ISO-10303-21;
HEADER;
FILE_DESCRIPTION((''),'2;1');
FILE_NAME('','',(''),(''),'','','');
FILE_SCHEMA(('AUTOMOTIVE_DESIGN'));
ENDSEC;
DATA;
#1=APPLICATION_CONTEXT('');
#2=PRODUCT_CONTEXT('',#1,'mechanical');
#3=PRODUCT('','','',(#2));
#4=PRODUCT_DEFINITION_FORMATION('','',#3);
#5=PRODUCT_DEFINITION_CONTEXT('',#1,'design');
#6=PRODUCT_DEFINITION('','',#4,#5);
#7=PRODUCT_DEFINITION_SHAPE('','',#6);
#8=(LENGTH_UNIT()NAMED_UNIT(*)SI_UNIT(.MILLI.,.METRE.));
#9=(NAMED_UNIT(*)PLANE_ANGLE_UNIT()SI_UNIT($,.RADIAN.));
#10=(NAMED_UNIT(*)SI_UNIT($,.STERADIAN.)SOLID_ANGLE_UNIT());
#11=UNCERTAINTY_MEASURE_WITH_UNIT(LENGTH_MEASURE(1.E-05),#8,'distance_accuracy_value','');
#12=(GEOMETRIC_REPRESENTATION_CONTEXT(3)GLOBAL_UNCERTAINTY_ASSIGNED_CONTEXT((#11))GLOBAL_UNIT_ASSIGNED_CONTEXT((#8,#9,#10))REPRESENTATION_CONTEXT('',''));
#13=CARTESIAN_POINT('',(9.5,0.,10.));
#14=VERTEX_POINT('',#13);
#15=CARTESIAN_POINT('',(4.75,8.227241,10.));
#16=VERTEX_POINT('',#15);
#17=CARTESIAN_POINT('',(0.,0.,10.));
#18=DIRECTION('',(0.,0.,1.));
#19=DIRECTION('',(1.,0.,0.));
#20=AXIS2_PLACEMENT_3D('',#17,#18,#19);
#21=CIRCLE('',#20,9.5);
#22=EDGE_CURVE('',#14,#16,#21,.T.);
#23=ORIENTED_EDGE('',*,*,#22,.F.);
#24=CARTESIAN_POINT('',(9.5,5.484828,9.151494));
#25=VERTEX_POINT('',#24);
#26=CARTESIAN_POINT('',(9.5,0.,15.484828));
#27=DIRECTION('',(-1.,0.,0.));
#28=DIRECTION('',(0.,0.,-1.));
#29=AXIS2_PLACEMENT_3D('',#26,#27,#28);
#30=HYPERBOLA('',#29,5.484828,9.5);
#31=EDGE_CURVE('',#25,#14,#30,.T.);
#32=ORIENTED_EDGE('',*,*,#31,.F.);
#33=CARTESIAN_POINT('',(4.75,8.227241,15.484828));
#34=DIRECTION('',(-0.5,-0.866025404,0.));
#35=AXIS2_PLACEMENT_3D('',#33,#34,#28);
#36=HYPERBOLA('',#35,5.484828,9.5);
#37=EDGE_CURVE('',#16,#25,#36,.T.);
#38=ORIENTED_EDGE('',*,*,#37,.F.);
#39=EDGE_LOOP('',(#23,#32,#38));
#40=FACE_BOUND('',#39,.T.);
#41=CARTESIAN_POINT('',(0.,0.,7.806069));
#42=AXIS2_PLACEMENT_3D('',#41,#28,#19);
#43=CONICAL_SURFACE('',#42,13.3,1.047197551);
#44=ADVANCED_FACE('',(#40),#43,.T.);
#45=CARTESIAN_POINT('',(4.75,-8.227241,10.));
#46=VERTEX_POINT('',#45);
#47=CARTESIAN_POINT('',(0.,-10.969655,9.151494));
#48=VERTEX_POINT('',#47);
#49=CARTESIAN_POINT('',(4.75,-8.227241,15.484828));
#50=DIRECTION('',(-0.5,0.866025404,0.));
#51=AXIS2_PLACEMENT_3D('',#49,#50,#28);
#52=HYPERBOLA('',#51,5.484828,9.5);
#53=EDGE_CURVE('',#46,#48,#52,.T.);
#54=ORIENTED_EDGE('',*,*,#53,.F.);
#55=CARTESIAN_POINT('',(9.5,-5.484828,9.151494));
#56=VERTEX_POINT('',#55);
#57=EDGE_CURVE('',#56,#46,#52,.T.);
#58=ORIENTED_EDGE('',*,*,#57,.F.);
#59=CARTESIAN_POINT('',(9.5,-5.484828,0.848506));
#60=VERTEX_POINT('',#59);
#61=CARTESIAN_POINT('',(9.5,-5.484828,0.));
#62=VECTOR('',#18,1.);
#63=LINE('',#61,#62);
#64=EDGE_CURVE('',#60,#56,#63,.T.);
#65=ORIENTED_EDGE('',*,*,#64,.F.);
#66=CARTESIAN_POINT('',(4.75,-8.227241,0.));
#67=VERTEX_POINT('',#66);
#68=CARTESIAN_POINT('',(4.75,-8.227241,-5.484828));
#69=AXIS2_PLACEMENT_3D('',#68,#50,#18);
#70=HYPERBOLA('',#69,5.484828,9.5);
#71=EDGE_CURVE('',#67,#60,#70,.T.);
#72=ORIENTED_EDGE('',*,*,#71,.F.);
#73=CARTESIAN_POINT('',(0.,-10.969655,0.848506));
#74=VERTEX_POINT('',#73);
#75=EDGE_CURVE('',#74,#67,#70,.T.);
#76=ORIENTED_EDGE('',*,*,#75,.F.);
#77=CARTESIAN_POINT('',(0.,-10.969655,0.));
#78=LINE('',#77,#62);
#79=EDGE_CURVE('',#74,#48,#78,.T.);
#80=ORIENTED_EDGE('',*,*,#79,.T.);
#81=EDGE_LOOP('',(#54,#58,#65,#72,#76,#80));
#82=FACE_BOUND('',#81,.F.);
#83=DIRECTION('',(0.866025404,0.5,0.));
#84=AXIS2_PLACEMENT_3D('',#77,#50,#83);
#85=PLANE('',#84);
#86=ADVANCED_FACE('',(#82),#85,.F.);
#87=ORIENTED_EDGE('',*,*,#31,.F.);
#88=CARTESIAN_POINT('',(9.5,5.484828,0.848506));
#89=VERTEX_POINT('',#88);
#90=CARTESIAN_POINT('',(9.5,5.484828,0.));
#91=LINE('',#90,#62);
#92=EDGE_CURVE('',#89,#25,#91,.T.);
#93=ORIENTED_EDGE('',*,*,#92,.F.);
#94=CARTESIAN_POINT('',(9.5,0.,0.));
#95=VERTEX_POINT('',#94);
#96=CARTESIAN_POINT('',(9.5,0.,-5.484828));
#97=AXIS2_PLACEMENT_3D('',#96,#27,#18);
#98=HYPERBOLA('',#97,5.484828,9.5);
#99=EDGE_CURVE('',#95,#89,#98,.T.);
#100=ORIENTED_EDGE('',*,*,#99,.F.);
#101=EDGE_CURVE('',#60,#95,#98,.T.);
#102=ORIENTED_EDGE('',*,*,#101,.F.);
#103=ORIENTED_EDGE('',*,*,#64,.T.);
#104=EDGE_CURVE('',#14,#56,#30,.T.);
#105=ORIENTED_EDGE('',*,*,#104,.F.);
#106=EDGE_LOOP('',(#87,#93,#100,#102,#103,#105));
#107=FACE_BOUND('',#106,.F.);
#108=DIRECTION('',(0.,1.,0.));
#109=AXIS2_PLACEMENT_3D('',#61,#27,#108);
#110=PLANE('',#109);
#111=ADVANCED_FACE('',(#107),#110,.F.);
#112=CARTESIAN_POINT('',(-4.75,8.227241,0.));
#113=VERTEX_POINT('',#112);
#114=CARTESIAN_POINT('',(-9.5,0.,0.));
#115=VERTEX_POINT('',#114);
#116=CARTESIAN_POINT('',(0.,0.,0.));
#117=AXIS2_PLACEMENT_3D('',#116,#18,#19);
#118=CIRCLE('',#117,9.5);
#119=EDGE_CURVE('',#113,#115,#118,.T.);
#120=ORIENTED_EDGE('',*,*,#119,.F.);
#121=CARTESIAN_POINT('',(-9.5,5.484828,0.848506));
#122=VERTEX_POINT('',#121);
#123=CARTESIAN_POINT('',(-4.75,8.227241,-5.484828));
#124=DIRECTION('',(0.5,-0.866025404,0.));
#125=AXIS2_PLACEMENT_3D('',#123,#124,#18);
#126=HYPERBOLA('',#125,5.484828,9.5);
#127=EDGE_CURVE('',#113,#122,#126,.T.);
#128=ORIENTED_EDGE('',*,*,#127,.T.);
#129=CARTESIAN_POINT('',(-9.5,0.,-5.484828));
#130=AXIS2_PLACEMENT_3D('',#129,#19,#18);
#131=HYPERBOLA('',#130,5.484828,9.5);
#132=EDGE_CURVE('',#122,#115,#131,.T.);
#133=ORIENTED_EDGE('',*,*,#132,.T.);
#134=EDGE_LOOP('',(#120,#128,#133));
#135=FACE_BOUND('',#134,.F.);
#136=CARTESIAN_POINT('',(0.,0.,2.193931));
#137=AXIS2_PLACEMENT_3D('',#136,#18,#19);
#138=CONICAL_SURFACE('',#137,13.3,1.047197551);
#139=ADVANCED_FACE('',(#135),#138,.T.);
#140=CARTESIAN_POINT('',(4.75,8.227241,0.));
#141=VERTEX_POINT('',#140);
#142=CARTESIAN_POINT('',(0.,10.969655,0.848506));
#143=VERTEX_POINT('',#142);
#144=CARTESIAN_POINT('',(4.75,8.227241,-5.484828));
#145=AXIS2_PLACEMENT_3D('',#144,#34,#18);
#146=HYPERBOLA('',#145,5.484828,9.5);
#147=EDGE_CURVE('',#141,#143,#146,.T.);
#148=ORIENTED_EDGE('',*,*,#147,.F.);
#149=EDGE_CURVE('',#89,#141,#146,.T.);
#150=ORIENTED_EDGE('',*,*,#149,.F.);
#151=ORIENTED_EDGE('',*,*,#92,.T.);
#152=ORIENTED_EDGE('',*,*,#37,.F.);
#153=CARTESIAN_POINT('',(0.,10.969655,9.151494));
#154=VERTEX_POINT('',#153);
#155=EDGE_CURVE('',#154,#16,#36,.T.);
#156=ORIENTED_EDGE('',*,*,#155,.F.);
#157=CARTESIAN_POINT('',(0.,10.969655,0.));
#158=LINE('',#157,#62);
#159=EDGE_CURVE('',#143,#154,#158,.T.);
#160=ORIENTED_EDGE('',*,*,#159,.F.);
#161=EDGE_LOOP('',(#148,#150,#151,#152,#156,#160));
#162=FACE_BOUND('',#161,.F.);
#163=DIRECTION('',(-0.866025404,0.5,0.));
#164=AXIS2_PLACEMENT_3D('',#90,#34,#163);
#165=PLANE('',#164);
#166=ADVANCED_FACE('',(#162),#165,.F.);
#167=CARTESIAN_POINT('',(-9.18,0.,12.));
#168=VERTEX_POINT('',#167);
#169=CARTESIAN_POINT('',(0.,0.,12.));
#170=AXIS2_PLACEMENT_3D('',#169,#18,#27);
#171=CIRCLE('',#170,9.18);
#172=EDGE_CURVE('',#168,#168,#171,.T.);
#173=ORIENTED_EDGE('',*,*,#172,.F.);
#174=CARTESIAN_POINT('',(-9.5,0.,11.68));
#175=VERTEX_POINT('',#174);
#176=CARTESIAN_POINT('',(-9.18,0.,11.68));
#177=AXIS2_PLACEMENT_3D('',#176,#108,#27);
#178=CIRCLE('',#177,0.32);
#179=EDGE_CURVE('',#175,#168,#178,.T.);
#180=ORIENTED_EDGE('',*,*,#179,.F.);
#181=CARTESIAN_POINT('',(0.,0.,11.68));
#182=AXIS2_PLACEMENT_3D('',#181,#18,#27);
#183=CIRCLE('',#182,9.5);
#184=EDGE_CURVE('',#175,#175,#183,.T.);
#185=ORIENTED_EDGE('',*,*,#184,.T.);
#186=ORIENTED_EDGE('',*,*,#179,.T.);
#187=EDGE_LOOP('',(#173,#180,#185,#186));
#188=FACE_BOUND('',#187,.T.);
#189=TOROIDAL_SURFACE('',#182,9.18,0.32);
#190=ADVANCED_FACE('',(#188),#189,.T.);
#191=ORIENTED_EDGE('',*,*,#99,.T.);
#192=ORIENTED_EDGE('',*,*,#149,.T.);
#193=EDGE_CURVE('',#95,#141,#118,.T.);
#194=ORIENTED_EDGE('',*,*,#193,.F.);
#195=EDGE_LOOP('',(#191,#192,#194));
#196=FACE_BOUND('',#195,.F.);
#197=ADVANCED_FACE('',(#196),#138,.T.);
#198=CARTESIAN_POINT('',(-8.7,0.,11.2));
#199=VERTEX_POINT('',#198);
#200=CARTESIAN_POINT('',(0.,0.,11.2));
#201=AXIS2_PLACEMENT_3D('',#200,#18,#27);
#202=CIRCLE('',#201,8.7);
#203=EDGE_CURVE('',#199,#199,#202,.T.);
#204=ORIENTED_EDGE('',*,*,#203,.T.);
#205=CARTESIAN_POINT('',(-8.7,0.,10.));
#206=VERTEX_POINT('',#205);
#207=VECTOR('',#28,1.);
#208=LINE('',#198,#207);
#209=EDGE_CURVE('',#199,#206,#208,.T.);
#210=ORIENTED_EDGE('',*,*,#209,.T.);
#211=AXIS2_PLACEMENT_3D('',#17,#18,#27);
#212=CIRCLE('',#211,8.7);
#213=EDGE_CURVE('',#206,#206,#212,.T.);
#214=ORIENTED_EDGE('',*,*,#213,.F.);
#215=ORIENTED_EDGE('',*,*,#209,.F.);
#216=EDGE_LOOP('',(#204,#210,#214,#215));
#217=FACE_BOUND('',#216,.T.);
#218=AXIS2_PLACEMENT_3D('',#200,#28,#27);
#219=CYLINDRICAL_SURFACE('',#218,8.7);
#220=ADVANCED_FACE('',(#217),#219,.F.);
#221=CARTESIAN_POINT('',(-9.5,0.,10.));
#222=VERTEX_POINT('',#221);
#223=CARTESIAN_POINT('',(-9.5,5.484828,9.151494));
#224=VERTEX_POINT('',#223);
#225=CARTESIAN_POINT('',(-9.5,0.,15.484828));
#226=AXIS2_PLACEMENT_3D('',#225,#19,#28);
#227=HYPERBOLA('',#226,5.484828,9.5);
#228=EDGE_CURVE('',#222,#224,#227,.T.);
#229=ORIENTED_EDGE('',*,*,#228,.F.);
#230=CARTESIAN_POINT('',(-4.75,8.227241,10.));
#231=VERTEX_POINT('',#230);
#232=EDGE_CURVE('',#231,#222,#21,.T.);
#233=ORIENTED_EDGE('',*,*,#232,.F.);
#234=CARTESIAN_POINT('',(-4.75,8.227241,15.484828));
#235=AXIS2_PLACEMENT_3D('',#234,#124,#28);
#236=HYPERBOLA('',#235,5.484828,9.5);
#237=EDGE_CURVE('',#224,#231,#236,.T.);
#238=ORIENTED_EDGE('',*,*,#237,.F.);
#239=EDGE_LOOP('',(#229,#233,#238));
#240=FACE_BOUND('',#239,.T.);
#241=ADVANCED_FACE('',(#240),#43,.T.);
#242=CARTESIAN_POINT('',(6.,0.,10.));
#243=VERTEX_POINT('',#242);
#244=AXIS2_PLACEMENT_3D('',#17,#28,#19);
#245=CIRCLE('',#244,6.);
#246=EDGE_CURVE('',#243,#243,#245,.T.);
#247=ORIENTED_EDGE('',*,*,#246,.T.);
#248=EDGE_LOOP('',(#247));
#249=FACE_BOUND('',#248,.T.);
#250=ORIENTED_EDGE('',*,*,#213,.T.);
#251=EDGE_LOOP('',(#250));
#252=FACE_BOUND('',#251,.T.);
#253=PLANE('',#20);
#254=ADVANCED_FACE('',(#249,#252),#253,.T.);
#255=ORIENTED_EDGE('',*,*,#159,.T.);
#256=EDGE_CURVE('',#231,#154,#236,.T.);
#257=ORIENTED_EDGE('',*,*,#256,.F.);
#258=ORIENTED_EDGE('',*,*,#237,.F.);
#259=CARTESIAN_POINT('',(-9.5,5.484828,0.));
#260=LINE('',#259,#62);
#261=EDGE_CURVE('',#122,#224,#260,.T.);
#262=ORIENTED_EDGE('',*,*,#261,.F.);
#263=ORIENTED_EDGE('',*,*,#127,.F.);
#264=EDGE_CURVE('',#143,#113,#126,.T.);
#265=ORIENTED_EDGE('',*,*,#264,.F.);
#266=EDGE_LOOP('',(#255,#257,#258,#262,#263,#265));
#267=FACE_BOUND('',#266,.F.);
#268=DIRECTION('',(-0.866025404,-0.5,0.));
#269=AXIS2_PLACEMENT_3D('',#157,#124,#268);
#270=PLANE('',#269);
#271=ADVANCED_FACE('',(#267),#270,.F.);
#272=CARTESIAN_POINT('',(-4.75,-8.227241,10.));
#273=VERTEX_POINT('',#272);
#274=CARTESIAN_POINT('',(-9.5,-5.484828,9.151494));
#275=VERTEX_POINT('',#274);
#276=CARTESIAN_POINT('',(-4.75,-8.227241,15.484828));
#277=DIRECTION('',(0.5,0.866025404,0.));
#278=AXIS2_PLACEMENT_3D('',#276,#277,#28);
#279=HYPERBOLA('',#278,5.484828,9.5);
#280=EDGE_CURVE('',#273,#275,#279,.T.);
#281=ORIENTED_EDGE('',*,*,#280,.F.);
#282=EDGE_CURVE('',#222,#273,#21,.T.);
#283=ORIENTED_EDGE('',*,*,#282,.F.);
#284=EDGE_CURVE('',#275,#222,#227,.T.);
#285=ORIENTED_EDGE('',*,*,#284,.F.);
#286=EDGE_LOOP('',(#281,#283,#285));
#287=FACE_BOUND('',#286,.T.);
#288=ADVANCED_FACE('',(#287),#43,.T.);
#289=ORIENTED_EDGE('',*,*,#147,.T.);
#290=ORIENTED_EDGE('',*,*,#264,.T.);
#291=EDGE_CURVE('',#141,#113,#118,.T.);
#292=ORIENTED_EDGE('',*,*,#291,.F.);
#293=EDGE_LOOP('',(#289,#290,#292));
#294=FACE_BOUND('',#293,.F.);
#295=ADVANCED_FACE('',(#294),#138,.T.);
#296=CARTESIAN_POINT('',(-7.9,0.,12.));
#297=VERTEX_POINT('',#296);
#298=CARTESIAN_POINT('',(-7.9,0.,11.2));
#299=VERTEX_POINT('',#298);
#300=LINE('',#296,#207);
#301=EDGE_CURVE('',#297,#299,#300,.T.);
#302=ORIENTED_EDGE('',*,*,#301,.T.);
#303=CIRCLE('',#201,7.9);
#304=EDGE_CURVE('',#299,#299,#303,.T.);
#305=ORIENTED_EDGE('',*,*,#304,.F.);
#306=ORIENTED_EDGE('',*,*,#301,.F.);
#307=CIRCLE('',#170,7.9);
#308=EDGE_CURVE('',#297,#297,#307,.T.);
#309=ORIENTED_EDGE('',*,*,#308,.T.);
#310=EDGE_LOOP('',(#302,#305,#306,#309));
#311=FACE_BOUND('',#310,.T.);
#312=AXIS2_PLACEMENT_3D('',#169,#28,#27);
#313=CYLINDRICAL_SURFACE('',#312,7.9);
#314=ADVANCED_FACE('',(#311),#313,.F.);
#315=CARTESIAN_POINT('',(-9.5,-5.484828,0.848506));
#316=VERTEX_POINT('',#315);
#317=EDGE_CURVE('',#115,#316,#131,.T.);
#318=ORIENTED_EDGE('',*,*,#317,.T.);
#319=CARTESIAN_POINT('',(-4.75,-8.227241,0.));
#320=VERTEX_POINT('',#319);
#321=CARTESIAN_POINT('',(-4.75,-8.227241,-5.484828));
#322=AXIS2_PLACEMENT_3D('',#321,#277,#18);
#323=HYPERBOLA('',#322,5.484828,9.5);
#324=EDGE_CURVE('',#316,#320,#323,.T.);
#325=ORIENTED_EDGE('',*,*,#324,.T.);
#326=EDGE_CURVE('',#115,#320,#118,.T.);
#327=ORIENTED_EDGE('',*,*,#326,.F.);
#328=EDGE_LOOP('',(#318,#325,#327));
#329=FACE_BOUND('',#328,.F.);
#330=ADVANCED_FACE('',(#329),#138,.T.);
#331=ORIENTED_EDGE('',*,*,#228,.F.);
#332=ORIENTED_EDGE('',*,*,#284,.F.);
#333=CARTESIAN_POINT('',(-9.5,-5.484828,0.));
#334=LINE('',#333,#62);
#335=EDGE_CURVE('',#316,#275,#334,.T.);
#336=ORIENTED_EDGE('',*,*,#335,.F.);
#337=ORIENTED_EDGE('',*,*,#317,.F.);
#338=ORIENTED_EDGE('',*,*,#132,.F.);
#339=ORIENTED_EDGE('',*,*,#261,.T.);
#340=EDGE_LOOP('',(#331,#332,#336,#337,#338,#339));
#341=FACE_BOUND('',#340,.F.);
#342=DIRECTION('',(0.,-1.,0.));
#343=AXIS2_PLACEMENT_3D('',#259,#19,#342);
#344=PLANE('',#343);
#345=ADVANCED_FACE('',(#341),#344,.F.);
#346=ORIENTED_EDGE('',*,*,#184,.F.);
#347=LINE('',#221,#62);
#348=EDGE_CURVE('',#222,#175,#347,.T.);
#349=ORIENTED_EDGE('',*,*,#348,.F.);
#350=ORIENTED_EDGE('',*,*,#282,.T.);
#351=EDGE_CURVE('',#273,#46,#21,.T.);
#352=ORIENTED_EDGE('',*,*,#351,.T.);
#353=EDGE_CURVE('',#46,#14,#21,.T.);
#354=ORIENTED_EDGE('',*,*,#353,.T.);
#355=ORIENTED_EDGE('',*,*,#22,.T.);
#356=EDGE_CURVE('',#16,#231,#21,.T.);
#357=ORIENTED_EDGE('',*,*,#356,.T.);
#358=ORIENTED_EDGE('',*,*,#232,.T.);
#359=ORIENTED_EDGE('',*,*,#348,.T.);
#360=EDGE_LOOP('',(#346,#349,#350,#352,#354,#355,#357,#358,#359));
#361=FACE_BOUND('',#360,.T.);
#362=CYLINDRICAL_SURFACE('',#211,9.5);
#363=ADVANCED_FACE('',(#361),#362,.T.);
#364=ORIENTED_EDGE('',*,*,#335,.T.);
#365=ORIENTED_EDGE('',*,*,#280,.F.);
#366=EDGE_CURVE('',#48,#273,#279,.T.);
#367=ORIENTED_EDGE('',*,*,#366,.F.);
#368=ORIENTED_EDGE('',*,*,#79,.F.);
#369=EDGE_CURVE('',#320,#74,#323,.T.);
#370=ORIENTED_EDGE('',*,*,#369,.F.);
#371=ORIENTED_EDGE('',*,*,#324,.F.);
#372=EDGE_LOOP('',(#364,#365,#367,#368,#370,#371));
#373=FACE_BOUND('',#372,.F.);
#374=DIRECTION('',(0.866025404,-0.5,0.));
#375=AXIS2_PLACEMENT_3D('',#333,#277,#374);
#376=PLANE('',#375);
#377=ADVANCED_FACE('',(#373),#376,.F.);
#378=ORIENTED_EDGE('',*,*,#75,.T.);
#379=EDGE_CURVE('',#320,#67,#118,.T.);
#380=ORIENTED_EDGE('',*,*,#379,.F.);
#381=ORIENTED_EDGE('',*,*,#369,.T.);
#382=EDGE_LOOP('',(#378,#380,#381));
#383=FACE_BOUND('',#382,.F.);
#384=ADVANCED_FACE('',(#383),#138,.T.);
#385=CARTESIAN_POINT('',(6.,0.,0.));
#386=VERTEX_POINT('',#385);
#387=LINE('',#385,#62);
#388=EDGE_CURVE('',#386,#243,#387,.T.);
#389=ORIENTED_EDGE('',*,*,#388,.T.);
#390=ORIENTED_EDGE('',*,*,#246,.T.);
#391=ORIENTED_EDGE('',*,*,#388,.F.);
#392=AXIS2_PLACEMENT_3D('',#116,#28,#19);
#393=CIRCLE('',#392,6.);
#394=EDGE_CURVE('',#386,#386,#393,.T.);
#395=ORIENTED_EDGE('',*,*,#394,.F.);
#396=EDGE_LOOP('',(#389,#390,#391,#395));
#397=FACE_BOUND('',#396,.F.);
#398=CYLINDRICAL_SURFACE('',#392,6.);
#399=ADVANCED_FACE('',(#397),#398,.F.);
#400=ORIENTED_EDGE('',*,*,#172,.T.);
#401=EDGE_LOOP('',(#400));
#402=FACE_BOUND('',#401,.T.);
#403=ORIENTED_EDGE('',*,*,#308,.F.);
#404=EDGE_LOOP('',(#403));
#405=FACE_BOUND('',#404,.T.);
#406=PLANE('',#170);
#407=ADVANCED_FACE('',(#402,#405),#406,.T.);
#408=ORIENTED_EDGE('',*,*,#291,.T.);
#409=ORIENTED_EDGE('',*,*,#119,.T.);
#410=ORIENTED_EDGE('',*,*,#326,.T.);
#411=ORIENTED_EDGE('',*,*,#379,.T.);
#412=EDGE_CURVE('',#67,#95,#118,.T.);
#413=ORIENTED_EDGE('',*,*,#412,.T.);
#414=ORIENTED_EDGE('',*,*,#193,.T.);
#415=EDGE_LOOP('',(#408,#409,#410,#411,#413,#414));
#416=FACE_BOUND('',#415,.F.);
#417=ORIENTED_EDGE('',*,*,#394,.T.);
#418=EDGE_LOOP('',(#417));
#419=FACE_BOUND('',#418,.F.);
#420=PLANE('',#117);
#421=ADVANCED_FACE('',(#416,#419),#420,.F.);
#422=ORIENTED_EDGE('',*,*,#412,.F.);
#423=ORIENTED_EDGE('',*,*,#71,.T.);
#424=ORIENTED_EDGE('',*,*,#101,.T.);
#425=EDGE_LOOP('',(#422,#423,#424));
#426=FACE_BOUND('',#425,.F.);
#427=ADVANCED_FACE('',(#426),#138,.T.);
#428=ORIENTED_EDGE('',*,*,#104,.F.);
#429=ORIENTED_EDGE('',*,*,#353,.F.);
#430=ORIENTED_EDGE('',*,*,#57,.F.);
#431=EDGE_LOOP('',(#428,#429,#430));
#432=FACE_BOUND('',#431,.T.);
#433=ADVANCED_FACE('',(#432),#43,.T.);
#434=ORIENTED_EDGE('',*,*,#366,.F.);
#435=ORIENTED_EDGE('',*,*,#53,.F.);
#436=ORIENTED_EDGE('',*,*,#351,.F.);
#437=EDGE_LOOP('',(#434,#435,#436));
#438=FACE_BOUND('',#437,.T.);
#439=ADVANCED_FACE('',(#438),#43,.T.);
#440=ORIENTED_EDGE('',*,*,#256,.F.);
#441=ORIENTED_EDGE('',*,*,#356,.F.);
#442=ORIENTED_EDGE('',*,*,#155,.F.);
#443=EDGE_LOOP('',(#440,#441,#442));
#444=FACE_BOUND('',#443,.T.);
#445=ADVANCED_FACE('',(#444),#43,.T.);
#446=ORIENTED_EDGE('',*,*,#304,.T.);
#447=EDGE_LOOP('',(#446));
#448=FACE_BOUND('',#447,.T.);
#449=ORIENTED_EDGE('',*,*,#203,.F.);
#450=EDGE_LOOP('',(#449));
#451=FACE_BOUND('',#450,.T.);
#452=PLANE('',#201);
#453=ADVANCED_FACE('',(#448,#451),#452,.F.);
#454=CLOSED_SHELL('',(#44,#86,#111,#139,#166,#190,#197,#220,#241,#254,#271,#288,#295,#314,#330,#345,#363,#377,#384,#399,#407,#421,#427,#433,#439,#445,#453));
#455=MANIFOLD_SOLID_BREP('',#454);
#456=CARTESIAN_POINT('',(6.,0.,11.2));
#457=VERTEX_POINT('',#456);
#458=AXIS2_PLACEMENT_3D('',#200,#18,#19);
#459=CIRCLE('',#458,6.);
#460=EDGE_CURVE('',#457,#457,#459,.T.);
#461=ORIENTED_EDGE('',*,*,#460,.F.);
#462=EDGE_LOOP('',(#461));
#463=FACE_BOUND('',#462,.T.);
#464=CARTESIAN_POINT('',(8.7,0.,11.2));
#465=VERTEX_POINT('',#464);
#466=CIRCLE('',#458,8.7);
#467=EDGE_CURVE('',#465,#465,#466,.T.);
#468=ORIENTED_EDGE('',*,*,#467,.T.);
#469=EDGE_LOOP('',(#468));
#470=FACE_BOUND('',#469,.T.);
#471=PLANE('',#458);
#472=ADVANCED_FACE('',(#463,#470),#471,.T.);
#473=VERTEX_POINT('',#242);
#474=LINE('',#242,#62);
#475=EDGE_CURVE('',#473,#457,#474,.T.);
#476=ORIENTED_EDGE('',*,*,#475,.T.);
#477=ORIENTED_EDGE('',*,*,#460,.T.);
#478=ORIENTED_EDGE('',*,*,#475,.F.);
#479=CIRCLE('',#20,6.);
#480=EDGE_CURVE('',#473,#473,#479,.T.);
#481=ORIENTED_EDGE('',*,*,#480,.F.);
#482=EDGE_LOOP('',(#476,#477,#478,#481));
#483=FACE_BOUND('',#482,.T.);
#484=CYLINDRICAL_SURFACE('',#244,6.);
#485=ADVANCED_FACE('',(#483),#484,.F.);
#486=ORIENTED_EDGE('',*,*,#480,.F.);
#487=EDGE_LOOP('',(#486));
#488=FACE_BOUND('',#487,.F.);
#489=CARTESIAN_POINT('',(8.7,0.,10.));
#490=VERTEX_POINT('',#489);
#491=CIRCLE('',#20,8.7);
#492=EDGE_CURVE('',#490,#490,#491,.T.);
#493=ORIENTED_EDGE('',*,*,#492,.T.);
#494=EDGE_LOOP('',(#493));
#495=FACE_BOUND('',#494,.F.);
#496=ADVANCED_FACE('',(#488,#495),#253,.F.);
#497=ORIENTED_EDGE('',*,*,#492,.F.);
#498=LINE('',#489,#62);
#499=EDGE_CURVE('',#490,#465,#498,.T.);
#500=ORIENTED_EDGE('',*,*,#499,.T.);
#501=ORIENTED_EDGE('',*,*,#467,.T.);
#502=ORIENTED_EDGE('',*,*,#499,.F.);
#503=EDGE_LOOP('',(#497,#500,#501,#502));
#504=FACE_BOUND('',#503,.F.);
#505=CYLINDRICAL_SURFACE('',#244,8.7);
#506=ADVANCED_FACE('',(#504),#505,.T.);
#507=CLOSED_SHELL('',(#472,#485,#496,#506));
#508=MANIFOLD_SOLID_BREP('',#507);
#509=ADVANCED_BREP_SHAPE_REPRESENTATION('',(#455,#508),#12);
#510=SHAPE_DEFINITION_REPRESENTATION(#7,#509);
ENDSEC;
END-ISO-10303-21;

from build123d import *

# Parameters (mm, degrees)
EXTRUDE1_DEPTH     = 10
SKETCH5_R          = 8.7
SKETCH5_R_2        = 6
EXTRUDE2_DEPTH     = 1.2
SKETCH4_R          = 6
CUT_EXTRUDE1_DEPTH = 19.83038325
FILLET2_R          = 0.32


with BuildPart() as part:
    # Sketch1 → Extrude1 (new body)
    with BuildSketch(Plane.XY):
        Polygon((0, 10.969655115), (-9.5, 5.484827557), (-9.5, -5.484827557), (0, -10.969655115), (9.5, -5.484827557), (9.5, 5.484827557), align=None)
    extrude(amount=EXTRUDE1_DEPTH)

    # Sketch2 → Cut-Revolve1 (revolve, cut)
    with BuildSketch(Plane(origin=(0, 0, 0), x_dir=(1, 0, 0), z_dir=(0, 1, 0))):
        Polygon((9.5, -10), (13.3, -10), (13.3, -7.806068977), align=None)
    cut_revolve1 = revolve(axis=Axis((0, 0, 0), (0, 0, 1)), mode=Mode.SUBTRACT)

    # Mirror1: Cut-Revolve1 across plane
    add(cut_revolve1.mirror(Plane(origin=(0, 0, 5), x_dir=(1, 0, 0), z_dir=(0, 0, -1))), mode=Mode.SUBTRACT)

    # Sketch3 → Revolve1 (revolve)
    with BuildSketch(Plane(origin=(0, 0, 0), x_dir=(1, 0, 0), z_dir=(0, 1, 0)), mode=Mode.PRIVATE) as revolve1_sk:
        Polygon((9.5, -10), (9.5, -12), (7.9, -12), (7.9, -11.2), (8.7, -11.2), (8.7, -10), align=None)
    revolve(revolve1_sk.sketch.rotate(Axis((0, 0, 0), (0, 0, 1)), 180), axis=Axis((0, 0, 0), (0, 0, 1)))

    # Sketch4 → Cut-Extrude1 (cut, through all)
    with BuildSketch(Plane(origin=(0, 0, 0), x_dir=(-1, 0, 0), z_dir=(0, 0, -1))):
        with Locations(Location((0, 0, 0), (0, 0, 180))):
            Circle(SKETCH4_R)
    extrude(amount=-CUT_EXTRUDE1_DEPTH, mode=Mode.SUBTRACT)

    # Fillet2
    fillet2_edges = [part.edges().sort_by_distance(p)[0] for p in [
        (9.5, 0, 12),
    ]]
    fillet(fillet2_edges, radius=FILLET2_R)


with BuildPart() as body_2:
    # Sketch5 → Extrude2 (new body)
    with BuildSketch(Plane.XY.offset(10)):
        Circle(SKETCH5_R)
        Circle(SKETCH5_R_2, mode=Mode.SUBTRACT)
    extrude(amount=EXTRUDE2_DEPTH)


solid = Compound([part.part, body_2.part])
